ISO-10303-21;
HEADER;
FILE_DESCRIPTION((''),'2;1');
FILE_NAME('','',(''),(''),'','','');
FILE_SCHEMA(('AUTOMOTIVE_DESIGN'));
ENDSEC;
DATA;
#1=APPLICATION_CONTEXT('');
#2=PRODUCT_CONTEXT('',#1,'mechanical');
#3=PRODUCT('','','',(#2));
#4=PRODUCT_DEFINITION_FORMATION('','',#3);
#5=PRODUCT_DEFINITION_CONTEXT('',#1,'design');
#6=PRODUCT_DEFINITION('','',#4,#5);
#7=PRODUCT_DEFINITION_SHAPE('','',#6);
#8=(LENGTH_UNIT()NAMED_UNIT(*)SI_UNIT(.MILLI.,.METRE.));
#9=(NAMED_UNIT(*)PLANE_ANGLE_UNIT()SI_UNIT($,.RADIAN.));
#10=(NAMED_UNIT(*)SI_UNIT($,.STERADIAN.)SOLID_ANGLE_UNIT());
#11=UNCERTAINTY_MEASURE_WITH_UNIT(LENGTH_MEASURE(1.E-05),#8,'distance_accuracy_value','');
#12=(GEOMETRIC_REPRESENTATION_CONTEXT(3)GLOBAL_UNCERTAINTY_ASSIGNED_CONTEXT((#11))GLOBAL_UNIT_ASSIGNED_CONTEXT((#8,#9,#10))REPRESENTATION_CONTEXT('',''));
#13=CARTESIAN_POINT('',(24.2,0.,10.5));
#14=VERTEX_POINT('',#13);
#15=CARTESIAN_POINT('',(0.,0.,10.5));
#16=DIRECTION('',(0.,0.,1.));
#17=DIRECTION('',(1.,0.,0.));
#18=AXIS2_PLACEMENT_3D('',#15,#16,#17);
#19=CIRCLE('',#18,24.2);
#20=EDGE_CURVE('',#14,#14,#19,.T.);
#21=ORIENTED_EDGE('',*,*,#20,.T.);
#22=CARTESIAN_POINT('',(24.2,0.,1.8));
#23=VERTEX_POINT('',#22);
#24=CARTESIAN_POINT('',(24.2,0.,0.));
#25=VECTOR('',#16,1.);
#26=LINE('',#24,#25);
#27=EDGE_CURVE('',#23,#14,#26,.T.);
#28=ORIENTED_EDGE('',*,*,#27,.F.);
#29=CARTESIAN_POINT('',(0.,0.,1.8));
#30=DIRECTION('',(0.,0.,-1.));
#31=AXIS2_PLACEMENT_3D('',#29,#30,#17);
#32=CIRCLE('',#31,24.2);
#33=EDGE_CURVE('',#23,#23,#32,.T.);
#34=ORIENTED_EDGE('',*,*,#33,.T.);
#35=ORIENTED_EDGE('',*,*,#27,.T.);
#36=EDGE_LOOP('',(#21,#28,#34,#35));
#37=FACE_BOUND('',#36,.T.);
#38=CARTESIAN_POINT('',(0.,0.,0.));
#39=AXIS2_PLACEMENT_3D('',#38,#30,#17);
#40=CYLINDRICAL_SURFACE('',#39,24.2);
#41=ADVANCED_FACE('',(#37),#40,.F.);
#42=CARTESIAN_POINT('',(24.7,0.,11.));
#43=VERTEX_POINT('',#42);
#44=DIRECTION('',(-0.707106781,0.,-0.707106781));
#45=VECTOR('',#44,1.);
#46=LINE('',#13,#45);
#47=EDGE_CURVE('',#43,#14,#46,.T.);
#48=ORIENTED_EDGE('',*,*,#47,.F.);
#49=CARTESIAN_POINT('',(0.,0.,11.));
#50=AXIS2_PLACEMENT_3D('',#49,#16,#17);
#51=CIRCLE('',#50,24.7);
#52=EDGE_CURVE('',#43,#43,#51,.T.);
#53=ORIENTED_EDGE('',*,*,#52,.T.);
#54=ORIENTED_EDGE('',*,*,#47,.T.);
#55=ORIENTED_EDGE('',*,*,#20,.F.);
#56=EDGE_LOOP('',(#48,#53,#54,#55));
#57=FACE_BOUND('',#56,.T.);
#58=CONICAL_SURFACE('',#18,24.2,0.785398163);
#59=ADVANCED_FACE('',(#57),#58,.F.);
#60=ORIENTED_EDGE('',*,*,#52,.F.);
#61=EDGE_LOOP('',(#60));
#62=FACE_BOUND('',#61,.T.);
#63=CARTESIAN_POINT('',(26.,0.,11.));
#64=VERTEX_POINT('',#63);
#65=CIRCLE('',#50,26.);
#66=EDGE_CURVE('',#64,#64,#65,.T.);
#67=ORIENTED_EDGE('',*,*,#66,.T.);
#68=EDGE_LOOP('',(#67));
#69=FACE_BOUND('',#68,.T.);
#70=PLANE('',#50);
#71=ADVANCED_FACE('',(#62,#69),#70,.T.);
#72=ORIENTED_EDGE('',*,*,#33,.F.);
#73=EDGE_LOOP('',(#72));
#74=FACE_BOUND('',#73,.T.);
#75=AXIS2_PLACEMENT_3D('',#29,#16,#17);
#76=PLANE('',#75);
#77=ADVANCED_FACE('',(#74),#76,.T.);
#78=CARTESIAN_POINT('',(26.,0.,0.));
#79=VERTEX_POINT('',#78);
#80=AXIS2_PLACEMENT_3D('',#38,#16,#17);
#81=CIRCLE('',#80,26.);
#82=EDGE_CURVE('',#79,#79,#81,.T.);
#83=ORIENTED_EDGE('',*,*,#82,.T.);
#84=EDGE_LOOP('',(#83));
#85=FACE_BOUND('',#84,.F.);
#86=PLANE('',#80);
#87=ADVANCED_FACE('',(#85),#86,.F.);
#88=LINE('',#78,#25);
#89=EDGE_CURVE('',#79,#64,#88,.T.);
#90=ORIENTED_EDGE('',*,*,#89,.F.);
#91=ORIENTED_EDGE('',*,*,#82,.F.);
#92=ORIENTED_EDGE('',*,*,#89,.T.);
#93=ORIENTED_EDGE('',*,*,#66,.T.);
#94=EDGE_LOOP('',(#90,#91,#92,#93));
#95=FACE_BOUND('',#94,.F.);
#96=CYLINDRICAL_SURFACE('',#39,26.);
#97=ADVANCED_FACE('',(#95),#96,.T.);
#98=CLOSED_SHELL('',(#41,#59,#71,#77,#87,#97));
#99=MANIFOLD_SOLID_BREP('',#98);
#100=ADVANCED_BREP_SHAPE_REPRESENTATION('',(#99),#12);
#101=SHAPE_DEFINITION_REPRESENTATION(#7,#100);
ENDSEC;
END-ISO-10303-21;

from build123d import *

# Parameters (mm, degrees)
F0_R     = 26
F1_DEPTH = 11
F2_T     = -1.8
F3_SIZE  = 0.5


with BuildPart() as f1:
    # F0 (on Top) → F1 (new body)
    with BuildSketch(Plane.XY):
        Circle(F0_R)
    extrude(amount=F1_DEPTH)

    # F2
    f2_openings = [f1.faces().sort_by_distance(p)[0] for p in [
        (0, 0, 11),
    ]]
    offset(amount=F2_T, openings=f2_openings)

    # F3
    f3_edges = [f1.edges().sort_by_distance(p)[0] for p in [
        (-24.2, 0, 11),
    ]]
    chamfer(f3_edges, length=F3_SIZE)


solid = f1.part
